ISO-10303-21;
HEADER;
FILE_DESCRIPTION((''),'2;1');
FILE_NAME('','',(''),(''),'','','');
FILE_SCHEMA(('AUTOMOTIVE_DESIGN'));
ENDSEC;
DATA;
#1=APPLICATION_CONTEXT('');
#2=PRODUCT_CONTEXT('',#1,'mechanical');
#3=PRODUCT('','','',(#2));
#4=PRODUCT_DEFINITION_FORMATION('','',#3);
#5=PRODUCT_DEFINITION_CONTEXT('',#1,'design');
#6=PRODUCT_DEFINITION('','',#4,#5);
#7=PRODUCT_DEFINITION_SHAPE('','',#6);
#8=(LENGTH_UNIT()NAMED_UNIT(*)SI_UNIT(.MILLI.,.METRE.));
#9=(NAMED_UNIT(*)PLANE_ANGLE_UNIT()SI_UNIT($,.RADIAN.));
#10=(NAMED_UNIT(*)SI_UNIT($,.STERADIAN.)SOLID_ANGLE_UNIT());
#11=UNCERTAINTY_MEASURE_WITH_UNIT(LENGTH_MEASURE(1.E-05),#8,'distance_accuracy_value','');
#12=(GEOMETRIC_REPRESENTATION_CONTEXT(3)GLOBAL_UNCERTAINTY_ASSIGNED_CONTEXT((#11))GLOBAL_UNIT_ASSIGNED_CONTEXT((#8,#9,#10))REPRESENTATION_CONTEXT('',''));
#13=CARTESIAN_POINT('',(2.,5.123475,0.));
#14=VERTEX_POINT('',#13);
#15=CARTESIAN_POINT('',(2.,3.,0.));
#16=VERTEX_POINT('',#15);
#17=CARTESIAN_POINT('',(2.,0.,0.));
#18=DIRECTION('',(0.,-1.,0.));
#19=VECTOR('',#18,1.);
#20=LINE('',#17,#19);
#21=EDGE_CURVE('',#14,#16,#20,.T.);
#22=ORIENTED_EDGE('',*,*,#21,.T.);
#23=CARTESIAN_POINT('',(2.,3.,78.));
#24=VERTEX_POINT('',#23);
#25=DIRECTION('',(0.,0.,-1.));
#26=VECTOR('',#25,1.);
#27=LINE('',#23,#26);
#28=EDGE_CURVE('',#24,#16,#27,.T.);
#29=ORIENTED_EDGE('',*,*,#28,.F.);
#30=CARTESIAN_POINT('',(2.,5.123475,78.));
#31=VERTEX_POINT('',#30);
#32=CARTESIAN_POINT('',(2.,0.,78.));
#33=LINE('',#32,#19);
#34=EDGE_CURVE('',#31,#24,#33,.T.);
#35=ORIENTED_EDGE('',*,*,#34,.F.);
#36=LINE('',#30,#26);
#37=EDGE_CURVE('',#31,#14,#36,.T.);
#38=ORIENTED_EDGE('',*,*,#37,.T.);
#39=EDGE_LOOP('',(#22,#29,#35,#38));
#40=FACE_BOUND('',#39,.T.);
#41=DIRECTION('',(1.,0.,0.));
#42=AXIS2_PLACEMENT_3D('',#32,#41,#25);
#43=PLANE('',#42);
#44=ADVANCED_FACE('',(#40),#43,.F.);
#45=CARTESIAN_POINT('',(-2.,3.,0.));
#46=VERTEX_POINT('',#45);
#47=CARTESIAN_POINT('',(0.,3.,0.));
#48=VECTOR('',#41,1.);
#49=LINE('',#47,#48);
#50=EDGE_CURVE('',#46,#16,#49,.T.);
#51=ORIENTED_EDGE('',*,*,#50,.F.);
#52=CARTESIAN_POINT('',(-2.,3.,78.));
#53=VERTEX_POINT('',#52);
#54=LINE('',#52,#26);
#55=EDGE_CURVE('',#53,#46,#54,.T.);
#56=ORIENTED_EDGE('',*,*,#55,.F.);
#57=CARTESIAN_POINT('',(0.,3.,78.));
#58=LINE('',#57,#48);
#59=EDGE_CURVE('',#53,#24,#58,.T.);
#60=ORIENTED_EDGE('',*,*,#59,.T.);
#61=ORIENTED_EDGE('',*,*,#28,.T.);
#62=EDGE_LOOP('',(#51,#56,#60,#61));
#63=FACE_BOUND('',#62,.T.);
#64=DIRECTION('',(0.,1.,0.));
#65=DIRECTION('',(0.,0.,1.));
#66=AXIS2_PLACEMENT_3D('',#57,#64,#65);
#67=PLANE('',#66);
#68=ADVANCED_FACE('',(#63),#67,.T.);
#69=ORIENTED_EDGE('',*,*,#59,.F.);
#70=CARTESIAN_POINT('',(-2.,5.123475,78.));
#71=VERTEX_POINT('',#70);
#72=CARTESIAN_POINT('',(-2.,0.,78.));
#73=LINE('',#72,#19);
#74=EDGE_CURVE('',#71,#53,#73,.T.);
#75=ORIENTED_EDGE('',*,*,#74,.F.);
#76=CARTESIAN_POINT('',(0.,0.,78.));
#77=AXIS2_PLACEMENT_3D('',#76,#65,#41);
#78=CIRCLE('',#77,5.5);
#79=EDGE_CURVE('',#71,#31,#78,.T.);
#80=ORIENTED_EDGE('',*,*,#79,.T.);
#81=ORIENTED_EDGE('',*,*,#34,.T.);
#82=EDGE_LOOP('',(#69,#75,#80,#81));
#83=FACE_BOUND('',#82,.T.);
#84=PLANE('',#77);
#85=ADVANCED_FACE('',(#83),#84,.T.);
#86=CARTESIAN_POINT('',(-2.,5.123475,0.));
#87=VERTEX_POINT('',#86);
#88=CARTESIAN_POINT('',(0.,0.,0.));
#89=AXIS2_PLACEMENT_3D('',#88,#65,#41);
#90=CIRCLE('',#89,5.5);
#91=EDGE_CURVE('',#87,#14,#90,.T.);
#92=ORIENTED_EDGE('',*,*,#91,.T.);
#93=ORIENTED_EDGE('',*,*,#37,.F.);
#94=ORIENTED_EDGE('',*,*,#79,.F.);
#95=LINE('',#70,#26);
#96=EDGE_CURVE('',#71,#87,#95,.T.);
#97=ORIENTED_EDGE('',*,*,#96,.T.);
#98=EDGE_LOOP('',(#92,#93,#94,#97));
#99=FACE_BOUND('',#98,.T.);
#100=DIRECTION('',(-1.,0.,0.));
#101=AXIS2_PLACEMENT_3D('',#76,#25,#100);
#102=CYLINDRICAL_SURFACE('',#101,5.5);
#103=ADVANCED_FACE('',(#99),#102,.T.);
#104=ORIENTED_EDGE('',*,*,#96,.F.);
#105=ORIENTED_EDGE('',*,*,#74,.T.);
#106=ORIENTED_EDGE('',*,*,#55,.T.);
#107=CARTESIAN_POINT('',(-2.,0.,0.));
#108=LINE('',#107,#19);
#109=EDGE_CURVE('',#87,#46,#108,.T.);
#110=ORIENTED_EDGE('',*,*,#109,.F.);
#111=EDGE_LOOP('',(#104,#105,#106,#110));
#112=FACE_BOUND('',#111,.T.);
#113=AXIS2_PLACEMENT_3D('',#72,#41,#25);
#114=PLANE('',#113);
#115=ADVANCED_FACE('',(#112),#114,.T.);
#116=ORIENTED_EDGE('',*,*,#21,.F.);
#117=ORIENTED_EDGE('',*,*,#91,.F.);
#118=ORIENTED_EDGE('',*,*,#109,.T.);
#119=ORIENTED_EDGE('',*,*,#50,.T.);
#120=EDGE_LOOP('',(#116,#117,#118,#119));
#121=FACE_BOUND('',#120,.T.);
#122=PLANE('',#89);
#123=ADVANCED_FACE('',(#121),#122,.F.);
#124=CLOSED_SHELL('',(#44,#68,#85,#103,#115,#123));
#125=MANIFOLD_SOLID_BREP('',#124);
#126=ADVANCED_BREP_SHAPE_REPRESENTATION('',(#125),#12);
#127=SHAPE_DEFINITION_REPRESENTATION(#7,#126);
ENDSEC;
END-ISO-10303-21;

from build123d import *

# Parameters (mm, degrees)
BOSS_EXTRUDE1_DEPTH = 78


with BuildPart() as part:
    # Sketch1 → Boss-Extrude1 (new body)
    with BuildSketch(Plane.XY):
        with BuildLine():
            Line((-2, 3), (-2, 5.123475383))
            ThreePointArc((-2, 5.123475383), (-3.102418411, -4.541475531), (5.5, 0))
            ThreePointArc((5.5, 0), (4.541475531, 3.102418411), (2, 5.123475383))
            Line((2, 5.123475383), (2, 3))
            Line((2, 3), (-2, 3))
        make_face()
    extrude(amount=BOSS_EXTRUDE1_DEPTH)


solid = part.part
